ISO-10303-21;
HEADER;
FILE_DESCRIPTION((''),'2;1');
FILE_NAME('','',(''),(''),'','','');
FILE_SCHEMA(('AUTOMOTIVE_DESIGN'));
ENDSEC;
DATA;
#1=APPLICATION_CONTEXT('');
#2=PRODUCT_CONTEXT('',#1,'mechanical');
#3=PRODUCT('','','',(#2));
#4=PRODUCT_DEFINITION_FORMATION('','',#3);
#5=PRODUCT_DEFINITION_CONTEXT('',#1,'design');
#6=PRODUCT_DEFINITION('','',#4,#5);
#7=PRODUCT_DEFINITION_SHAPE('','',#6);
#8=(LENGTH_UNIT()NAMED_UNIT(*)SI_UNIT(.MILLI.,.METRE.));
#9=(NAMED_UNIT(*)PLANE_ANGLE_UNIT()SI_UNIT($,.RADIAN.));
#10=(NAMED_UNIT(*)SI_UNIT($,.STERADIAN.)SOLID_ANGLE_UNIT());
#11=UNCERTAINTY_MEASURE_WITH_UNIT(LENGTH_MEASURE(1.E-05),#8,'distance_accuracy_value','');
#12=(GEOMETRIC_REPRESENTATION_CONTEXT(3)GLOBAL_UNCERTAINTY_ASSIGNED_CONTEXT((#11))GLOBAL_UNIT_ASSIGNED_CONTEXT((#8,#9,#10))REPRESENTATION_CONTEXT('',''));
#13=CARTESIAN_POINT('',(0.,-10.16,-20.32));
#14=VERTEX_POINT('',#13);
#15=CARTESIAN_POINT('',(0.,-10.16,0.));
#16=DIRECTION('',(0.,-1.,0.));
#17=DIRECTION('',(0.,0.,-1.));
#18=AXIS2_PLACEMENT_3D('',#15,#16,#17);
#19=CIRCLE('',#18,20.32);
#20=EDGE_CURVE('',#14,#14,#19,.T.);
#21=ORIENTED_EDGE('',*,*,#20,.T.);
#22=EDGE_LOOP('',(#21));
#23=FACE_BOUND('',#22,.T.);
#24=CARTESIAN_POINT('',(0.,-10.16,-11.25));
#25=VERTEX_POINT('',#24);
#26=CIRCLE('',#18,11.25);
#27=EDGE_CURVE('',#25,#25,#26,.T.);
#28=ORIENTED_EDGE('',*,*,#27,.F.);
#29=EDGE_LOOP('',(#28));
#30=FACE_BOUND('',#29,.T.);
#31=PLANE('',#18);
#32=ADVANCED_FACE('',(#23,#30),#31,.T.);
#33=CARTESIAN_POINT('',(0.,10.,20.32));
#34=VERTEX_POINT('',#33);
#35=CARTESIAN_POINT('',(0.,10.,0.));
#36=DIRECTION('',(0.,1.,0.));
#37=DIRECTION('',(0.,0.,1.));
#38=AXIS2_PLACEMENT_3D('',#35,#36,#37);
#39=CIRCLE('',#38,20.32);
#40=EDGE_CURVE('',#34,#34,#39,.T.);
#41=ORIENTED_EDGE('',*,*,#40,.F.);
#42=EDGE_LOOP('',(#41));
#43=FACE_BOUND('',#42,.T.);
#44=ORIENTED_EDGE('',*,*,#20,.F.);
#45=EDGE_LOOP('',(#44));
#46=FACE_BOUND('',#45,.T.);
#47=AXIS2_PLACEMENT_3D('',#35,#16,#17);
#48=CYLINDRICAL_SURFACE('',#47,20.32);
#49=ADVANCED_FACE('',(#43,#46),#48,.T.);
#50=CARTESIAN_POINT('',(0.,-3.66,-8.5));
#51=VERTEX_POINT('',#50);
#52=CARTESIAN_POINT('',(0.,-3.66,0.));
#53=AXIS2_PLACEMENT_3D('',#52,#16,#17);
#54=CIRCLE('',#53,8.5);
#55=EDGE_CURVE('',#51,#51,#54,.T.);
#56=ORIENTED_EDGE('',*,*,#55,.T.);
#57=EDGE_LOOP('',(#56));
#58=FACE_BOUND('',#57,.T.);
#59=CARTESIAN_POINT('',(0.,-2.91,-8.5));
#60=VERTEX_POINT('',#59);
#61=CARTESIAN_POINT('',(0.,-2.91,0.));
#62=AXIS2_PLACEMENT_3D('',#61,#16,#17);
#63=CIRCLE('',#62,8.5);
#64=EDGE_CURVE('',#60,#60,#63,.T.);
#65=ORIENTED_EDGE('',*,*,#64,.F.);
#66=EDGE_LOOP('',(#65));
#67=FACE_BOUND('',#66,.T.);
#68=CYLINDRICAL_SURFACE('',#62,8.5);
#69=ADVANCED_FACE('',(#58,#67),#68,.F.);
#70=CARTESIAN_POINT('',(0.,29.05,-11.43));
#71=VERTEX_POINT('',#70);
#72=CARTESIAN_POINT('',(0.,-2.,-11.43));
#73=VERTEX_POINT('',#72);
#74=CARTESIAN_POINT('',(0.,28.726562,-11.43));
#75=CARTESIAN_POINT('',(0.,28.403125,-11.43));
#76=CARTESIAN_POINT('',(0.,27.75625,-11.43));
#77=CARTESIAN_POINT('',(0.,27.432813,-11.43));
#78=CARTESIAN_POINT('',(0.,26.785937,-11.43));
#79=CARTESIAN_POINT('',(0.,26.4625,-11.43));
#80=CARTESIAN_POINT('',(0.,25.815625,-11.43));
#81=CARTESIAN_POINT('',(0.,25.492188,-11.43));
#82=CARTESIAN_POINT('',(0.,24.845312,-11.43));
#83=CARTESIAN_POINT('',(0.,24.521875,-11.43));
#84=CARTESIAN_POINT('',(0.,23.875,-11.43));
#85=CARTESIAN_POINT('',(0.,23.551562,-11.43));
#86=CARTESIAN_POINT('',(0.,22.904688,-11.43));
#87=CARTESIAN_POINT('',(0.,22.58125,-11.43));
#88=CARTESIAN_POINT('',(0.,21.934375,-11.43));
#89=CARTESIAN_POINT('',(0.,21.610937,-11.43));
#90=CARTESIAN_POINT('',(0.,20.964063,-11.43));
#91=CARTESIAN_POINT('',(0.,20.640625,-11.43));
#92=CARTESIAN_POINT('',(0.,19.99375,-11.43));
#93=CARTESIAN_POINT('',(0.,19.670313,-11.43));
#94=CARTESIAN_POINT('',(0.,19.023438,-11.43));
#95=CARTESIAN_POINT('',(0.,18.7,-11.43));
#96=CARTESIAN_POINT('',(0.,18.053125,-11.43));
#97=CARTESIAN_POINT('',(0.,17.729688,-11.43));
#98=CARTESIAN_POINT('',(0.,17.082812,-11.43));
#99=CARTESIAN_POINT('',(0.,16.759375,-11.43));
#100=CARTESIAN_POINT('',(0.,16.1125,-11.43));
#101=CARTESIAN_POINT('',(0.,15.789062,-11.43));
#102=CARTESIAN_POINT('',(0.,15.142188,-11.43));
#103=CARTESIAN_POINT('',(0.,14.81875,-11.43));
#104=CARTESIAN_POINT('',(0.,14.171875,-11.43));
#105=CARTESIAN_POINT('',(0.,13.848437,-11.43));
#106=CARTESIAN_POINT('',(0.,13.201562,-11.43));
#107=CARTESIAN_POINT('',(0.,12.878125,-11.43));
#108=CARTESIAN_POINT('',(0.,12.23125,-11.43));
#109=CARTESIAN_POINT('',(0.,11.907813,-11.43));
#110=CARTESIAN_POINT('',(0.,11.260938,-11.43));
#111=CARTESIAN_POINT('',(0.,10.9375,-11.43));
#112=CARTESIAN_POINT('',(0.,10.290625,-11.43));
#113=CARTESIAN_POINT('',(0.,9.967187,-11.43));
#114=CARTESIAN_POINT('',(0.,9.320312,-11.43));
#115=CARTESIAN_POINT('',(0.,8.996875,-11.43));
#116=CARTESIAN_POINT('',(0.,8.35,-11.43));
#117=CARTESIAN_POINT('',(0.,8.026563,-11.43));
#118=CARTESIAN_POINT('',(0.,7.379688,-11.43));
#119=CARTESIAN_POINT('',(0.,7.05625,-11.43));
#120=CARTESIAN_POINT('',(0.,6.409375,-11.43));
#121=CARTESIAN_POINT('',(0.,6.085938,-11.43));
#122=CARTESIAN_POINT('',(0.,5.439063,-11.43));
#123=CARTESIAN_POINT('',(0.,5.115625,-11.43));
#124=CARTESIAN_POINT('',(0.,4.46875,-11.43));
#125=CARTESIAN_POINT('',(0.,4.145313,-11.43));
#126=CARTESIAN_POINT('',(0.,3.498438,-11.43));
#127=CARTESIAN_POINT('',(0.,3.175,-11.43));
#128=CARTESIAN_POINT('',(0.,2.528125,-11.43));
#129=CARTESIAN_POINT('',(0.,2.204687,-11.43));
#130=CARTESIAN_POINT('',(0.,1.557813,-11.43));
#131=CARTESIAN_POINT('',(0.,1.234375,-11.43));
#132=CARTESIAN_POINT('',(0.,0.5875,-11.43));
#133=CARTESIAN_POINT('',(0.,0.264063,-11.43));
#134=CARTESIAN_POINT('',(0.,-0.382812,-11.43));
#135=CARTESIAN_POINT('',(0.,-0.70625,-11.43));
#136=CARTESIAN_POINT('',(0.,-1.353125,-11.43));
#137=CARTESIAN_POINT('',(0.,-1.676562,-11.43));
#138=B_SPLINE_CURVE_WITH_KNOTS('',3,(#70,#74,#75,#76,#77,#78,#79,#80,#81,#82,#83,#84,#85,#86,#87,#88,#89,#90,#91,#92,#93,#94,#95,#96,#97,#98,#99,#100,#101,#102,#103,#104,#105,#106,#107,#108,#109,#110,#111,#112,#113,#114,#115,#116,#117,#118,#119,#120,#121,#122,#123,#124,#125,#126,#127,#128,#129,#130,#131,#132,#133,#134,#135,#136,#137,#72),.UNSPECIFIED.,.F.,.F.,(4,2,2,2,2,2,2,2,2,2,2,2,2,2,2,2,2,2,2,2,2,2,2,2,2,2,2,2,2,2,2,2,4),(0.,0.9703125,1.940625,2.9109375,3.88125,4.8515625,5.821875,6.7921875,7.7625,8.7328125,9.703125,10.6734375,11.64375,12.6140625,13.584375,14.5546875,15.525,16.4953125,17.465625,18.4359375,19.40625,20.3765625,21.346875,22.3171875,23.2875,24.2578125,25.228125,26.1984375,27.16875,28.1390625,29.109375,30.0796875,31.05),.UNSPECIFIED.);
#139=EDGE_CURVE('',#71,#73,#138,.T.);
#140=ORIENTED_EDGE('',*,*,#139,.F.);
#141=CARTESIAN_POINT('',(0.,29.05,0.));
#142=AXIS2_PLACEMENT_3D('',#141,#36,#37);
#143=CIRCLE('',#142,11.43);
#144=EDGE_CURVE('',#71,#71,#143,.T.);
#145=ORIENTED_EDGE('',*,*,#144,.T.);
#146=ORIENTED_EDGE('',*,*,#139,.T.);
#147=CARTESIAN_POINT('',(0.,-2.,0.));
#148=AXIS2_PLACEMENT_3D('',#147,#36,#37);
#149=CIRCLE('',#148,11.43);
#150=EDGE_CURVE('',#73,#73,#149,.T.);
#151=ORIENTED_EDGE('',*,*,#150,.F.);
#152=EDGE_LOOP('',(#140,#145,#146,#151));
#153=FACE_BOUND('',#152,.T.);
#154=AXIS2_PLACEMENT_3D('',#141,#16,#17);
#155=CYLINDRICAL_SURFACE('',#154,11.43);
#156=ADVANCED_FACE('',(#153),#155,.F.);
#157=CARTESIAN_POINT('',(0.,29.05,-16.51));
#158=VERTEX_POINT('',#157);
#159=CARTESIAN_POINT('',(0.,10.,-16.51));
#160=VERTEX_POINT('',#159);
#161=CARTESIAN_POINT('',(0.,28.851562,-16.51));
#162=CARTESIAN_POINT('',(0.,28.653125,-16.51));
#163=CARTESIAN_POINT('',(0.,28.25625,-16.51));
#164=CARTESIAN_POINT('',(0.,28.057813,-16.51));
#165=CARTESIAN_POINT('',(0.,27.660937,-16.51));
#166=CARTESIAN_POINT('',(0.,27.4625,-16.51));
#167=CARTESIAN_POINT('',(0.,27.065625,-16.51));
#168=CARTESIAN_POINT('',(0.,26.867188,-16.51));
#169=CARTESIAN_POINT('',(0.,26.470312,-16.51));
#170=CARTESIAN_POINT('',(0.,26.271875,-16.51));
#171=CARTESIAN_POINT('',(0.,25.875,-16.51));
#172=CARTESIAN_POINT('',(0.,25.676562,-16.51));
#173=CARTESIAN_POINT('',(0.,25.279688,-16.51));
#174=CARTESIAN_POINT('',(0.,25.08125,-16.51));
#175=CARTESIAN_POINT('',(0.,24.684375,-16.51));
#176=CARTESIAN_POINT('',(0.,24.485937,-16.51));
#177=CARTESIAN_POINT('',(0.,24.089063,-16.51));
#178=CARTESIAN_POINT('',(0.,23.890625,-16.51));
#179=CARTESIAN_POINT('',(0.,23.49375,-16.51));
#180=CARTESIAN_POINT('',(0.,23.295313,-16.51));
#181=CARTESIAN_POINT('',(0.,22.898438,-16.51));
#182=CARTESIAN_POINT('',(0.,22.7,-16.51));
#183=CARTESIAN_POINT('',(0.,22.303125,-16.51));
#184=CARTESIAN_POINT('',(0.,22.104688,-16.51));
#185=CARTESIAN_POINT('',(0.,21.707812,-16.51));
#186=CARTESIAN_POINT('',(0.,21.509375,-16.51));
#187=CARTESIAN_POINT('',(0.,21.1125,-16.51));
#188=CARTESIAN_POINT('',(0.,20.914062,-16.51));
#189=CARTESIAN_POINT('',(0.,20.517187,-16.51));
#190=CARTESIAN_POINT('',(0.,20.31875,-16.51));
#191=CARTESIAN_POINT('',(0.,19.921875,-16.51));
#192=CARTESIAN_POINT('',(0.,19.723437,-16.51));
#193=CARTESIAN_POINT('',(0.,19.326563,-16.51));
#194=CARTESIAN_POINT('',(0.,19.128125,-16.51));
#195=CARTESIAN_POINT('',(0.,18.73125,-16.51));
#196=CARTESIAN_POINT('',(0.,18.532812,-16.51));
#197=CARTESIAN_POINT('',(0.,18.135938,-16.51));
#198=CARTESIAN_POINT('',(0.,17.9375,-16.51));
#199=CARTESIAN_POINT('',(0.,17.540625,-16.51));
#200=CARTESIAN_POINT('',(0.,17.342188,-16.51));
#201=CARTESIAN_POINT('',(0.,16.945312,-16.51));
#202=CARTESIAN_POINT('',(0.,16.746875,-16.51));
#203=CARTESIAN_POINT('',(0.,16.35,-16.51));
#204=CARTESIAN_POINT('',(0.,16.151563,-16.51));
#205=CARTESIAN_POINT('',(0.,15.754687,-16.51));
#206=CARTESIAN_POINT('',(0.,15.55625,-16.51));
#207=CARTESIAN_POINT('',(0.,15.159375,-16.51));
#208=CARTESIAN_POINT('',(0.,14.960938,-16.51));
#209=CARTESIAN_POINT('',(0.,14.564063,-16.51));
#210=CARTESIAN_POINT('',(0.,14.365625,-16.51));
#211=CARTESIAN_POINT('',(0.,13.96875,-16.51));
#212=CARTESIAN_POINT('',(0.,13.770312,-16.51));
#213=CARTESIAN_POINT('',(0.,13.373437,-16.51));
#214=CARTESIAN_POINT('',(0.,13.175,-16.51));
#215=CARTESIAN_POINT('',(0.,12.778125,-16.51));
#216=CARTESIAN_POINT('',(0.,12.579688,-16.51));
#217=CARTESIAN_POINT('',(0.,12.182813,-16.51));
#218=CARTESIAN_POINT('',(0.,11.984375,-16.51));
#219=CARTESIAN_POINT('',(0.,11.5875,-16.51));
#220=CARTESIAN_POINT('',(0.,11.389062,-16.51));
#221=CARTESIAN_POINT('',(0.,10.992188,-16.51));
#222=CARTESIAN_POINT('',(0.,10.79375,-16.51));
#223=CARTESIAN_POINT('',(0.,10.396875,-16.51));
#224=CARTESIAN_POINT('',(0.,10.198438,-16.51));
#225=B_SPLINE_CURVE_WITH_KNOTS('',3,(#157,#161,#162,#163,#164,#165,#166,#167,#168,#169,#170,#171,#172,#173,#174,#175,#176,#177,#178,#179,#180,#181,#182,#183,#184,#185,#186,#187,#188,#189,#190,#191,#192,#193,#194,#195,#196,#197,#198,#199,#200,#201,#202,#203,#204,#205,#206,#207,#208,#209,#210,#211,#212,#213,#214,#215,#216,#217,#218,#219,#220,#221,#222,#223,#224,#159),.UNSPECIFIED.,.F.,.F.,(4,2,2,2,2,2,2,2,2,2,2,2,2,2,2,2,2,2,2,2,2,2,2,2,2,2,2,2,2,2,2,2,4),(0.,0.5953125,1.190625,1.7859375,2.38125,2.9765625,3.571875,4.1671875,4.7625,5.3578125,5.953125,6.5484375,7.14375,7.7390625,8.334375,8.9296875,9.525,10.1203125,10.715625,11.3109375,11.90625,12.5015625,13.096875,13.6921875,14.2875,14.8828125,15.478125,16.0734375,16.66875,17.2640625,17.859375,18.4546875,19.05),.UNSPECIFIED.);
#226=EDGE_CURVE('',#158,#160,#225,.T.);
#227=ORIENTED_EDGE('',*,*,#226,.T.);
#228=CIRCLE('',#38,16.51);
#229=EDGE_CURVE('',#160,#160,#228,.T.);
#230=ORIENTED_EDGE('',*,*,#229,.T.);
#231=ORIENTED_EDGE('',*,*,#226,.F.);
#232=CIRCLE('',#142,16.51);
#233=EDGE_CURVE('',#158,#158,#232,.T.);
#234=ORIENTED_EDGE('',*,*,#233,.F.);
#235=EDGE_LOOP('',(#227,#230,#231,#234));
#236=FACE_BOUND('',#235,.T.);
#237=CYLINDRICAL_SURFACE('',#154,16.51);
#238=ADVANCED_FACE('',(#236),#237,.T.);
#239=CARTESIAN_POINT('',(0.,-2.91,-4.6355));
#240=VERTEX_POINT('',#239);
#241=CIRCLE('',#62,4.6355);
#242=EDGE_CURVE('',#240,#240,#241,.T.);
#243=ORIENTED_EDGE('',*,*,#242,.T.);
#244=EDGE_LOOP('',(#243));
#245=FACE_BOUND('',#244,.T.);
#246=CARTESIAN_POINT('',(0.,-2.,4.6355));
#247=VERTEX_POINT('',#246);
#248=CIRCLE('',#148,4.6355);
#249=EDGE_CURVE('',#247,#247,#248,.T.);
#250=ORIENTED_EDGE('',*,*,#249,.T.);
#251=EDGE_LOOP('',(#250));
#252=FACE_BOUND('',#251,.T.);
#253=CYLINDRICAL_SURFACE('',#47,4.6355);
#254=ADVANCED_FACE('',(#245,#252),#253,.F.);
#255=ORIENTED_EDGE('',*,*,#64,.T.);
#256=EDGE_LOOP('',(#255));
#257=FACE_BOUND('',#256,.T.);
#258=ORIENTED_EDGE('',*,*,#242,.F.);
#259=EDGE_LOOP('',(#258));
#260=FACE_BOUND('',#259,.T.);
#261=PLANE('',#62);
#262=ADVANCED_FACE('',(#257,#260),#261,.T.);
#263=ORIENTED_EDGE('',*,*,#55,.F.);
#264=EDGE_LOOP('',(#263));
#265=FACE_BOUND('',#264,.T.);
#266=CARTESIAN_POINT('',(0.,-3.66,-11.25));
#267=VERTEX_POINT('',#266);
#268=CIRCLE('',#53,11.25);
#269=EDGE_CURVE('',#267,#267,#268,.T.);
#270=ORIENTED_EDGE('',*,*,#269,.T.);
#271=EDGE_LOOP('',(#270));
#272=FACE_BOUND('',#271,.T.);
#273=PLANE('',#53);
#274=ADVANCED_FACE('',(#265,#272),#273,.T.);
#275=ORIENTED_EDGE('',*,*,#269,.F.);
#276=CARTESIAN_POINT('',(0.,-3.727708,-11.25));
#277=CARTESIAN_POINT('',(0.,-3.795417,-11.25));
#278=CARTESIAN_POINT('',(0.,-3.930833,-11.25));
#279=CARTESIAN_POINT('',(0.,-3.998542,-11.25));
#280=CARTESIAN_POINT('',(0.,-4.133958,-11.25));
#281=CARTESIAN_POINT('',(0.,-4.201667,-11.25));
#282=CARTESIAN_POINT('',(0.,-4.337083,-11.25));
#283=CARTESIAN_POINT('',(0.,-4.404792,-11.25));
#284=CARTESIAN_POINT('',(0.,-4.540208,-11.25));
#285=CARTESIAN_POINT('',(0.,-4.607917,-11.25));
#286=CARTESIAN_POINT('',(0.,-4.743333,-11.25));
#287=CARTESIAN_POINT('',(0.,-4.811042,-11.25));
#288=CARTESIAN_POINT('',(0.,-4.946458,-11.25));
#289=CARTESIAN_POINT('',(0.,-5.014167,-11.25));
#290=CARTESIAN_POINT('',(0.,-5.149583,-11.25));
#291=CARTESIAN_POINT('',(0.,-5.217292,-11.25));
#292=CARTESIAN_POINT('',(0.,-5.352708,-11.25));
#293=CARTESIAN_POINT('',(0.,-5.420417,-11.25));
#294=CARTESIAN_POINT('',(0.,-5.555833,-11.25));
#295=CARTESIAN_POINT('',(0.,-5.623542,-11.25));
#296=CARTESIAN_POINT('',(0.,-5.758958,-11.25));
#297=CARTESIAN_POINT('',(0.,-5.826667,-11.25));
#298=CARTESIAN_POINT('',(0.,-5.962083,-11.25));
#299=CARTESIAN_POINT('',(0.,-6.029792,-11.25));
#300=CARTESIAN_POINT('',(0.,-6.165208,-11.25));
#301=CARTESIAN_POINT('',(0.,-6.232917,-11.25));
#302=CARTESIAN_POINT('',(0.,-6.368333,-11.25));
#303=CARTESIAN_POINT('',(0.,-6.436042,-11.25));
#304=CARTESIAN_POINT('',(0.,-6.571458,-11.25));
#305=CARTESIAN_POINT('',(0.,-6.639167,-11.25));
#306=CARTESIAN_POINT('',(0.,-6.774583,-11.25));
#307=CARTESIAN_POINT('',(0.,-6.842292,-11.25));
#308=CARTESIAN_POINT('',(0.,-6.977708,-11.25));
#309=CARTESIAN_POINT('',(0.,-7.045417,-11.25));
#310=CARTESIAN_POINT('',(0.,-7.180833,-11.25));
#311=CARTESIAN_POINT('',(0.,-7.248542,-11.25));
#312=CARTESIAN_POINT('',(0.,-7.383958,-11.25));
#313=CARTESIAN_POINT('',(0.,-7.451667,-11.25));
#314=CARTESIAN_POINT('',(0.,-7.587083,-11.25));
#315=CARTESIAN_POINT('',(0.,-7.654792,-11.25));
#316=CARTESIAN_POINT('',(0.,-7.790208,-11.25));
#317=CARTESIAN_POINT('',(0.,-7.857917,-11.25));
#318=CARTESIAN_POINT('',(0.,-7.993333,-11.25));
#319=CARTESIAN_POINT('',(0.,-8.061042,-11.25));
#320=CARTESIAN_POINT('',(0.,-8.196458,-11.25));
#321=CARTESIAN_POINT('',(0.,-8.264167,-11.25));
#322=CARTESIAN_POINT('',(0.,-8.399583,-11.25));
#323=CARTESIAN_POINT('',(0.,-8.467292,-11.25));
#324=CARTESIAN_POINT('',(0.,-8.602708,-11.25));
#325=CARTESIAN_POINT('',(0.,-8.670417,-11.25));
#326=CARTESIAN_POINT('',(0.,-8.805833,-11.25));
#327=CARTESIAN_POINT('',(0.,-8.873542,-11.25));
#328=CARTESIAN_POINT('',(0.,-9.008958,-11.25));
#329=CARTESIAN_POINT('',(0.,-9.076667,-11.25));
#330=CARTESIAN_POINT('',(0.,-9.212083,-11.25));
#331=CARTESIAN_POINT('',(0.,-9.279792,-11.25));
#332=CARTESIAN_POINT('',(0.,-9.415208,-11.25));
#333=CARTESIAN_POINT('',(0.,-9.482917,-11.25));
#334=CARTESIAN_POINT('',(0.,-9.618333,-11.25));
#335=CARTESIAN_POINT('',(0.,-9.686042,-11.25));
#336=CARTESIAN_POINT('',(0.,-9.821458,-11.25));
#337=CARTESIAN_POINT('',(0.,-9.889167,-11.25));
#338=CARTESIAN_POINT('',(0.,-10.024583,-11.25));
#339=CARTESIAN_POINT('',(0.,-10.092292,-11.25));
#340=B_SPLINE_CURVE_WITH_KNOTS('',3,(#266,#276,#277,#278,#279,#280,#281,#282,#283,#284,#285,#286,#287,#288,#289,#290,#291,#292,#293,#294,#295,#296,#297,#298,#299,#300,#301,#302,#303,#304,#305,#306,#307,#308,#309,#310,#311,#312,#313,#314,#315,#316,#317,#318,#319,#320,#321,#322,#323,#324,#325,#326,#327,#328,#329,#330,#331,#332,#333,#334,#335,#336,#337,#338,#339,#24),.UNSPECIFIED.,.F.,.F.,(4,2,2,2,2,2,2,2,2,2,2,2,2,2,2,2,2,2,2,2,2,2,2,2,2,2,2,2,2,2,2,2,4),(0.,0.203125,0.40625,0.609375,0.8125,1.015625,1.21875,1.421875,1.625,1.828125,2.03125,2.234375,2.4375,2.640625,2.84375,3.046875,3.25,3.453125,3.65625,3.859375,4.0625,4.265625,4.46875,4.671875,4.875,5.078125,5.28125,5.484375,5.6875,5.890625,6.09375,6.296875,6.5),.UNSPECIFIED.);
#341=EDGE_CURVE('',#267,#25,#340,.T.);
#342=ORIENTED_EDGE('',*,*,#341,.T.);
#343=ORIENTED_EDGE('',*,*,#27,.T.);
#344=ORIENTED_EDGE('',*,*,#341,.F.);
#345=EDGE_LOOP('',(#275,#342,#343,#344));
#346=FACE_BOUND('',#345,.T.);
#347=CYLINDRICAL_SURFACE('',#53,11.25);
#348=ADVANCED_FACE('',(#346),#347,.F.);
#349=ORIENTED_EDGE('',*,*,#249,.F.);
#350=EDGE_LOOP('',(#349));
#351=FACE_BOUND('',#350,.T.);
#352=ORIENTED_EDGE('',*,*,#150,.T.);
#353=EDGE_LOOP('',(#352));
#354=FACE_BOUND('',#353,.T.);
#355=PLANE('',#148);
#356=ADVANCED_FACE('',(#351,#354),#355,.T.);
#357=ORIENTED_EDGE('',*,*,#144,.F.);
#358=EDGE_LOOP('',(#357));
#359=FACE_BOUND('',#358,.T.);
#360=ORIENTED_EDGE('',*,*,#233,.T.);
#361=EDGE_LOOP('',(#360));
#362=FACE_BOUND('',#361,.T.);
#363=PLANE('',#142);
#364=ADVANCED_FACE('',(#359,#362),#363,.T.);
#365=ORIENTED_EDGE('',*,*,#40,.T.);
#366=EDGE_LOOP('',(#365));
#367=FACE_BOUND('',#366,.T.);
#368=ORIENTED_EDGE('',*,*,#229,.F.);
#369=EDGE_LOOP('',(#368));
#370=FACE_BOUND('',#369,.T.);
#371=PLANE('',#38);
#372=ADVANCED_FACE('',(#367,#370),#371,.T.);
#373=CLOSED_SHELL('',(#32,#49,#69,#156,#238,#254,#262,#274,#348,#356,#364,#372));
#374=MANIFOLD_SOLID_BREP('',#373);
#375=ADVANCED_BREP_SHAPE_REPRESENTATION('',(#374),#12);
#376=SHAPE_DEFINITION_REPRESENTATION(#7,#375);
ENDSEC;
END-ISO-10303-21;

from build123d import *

# Parameters (mm, degrees)
SKETCH1_R           = 20.32
SKETCH1_R_2         = 4.6355
BOSS_EXTRUDE1_DEPTH = 10
SKETCH2_R           = 16.51
SKETCH2_R_2         = 11.43
BOSS_EXTRUDE2_DEPTH = 19.05
BOSS_EXTRUDE3_START = 10.16
SKETCH3_R           = 20.32
SKETCH3_R_2         = 4.6355
BOSS_EXTRUDE3_DEPTH = 10.16
CUT_EXTRUDE1_START  = -12
SKETCH4_R           = 11.43
CUT_EXTRUDE1_DEPTH  = 12
SKETCH6_R           = 11.25
CUT_EXTRUDE3_DEPTH  = 6.5
SKETCH7_R           = 8.5
CUT_EXTRUDE4_DEPTH  = 0.75


with BuildPart() as part:
    # Sketch1 → Boss-Extrude1 (new body)
    with BuildSketch(Plane(origin=(0, 0, 0), x_dir=(1, 0, 0), z_dir=(0, 1, 0))):
        with Locations(Location((0, 0, 0), (0, 0, 270))):
            Circle(SKETCH1_R)
        with Locations(Location((0, 0, 0), (0, 0, 270))):
            Circle(SKETCH1_R_2, mode=Mode.SUBTRACT)
    extrude(amount=BOSS_EXTRUDE1_DEPTH)

    # Sketch2 → Boss-Extrude2 (add)
    with BuildSketch(Plane(origin=(0, 10, 0), x_dir=(1, 0, 0), z_dir=(0, 1, 0))):
        with Locations(Location((0, 0, 0), (0, 0, 90))):
            Circle(SKETCH2_R)
        with Locations(Location((0, 0, 0), (0, 0, 90))):
            Circle(SKETCH2_R_2, mode=Mode.SUBTRACT)
    extrude(amount=BOSS_EXTRUDE2_DEPTH)

    # Sketch3 → Boss-Extrude3 (add)
    with BuildSketch(Plane(origin=(0, 0, 0), x_dir=(-1, 0, 0), z_dir=(0, -1, 0)).offset(BOSS_EXTRUDE3_START)):
        with Locations(Location((0, 0, 0), (0, 0, 90))):
            Circle(SKETCH3_R)
        with Locations(Location((0, 0, 0), (0, 0, 90))):
            Circle(SKETCH3_R_2, mode=Mode.SUBTRACT)
    extrude(amount=-BOSS_EXTRUDE3_DEPTH)

    # Sketch4 → Cut-Extrude1 (cut)
    with BuildSketch(Plane(origin=(0, 10, 0), x_dir=(1, 0, 0), z_dir=(0, 1, 0)).offset(CUT_EXTRUDE1_START)):
        with Locations(Location((0, 0, 0), (0, 0, 90))):
            Circle(SKETCH4_R)
    extrude(amount=CUT_EXTRUDE1_DEPTH, mode=Mode.SUBTRACT)

    # Sketch6 → Cut-Extrude3 (cut)
    with BuildSketch(Plane.XZ.offset(10.16)):
        with Locations(Location((0, 0, 0), (0, 0, 270))):
            Circle(SKETCH6_R)
    extrude(amount=-CUT_EXTRUDE3_DEPTH, mode=Mode.SUBTRACT)

    # Sketch7 → Cut-Extrude4 (cut)
    with BuildSketch(Plane(origin=(0, -3.66, 0), x_dir=(-1, 0, 0), z_dir=(0, -1, 0))):
        with Locations(Location((0, 0, 0), (0, 0, 90))):
            Circle(SKETCH7_R)
    extrude(amount=-CUT_EXTRUDE4_DEPTH, mode=Mode.SUBTRACT)


solid = part.part
